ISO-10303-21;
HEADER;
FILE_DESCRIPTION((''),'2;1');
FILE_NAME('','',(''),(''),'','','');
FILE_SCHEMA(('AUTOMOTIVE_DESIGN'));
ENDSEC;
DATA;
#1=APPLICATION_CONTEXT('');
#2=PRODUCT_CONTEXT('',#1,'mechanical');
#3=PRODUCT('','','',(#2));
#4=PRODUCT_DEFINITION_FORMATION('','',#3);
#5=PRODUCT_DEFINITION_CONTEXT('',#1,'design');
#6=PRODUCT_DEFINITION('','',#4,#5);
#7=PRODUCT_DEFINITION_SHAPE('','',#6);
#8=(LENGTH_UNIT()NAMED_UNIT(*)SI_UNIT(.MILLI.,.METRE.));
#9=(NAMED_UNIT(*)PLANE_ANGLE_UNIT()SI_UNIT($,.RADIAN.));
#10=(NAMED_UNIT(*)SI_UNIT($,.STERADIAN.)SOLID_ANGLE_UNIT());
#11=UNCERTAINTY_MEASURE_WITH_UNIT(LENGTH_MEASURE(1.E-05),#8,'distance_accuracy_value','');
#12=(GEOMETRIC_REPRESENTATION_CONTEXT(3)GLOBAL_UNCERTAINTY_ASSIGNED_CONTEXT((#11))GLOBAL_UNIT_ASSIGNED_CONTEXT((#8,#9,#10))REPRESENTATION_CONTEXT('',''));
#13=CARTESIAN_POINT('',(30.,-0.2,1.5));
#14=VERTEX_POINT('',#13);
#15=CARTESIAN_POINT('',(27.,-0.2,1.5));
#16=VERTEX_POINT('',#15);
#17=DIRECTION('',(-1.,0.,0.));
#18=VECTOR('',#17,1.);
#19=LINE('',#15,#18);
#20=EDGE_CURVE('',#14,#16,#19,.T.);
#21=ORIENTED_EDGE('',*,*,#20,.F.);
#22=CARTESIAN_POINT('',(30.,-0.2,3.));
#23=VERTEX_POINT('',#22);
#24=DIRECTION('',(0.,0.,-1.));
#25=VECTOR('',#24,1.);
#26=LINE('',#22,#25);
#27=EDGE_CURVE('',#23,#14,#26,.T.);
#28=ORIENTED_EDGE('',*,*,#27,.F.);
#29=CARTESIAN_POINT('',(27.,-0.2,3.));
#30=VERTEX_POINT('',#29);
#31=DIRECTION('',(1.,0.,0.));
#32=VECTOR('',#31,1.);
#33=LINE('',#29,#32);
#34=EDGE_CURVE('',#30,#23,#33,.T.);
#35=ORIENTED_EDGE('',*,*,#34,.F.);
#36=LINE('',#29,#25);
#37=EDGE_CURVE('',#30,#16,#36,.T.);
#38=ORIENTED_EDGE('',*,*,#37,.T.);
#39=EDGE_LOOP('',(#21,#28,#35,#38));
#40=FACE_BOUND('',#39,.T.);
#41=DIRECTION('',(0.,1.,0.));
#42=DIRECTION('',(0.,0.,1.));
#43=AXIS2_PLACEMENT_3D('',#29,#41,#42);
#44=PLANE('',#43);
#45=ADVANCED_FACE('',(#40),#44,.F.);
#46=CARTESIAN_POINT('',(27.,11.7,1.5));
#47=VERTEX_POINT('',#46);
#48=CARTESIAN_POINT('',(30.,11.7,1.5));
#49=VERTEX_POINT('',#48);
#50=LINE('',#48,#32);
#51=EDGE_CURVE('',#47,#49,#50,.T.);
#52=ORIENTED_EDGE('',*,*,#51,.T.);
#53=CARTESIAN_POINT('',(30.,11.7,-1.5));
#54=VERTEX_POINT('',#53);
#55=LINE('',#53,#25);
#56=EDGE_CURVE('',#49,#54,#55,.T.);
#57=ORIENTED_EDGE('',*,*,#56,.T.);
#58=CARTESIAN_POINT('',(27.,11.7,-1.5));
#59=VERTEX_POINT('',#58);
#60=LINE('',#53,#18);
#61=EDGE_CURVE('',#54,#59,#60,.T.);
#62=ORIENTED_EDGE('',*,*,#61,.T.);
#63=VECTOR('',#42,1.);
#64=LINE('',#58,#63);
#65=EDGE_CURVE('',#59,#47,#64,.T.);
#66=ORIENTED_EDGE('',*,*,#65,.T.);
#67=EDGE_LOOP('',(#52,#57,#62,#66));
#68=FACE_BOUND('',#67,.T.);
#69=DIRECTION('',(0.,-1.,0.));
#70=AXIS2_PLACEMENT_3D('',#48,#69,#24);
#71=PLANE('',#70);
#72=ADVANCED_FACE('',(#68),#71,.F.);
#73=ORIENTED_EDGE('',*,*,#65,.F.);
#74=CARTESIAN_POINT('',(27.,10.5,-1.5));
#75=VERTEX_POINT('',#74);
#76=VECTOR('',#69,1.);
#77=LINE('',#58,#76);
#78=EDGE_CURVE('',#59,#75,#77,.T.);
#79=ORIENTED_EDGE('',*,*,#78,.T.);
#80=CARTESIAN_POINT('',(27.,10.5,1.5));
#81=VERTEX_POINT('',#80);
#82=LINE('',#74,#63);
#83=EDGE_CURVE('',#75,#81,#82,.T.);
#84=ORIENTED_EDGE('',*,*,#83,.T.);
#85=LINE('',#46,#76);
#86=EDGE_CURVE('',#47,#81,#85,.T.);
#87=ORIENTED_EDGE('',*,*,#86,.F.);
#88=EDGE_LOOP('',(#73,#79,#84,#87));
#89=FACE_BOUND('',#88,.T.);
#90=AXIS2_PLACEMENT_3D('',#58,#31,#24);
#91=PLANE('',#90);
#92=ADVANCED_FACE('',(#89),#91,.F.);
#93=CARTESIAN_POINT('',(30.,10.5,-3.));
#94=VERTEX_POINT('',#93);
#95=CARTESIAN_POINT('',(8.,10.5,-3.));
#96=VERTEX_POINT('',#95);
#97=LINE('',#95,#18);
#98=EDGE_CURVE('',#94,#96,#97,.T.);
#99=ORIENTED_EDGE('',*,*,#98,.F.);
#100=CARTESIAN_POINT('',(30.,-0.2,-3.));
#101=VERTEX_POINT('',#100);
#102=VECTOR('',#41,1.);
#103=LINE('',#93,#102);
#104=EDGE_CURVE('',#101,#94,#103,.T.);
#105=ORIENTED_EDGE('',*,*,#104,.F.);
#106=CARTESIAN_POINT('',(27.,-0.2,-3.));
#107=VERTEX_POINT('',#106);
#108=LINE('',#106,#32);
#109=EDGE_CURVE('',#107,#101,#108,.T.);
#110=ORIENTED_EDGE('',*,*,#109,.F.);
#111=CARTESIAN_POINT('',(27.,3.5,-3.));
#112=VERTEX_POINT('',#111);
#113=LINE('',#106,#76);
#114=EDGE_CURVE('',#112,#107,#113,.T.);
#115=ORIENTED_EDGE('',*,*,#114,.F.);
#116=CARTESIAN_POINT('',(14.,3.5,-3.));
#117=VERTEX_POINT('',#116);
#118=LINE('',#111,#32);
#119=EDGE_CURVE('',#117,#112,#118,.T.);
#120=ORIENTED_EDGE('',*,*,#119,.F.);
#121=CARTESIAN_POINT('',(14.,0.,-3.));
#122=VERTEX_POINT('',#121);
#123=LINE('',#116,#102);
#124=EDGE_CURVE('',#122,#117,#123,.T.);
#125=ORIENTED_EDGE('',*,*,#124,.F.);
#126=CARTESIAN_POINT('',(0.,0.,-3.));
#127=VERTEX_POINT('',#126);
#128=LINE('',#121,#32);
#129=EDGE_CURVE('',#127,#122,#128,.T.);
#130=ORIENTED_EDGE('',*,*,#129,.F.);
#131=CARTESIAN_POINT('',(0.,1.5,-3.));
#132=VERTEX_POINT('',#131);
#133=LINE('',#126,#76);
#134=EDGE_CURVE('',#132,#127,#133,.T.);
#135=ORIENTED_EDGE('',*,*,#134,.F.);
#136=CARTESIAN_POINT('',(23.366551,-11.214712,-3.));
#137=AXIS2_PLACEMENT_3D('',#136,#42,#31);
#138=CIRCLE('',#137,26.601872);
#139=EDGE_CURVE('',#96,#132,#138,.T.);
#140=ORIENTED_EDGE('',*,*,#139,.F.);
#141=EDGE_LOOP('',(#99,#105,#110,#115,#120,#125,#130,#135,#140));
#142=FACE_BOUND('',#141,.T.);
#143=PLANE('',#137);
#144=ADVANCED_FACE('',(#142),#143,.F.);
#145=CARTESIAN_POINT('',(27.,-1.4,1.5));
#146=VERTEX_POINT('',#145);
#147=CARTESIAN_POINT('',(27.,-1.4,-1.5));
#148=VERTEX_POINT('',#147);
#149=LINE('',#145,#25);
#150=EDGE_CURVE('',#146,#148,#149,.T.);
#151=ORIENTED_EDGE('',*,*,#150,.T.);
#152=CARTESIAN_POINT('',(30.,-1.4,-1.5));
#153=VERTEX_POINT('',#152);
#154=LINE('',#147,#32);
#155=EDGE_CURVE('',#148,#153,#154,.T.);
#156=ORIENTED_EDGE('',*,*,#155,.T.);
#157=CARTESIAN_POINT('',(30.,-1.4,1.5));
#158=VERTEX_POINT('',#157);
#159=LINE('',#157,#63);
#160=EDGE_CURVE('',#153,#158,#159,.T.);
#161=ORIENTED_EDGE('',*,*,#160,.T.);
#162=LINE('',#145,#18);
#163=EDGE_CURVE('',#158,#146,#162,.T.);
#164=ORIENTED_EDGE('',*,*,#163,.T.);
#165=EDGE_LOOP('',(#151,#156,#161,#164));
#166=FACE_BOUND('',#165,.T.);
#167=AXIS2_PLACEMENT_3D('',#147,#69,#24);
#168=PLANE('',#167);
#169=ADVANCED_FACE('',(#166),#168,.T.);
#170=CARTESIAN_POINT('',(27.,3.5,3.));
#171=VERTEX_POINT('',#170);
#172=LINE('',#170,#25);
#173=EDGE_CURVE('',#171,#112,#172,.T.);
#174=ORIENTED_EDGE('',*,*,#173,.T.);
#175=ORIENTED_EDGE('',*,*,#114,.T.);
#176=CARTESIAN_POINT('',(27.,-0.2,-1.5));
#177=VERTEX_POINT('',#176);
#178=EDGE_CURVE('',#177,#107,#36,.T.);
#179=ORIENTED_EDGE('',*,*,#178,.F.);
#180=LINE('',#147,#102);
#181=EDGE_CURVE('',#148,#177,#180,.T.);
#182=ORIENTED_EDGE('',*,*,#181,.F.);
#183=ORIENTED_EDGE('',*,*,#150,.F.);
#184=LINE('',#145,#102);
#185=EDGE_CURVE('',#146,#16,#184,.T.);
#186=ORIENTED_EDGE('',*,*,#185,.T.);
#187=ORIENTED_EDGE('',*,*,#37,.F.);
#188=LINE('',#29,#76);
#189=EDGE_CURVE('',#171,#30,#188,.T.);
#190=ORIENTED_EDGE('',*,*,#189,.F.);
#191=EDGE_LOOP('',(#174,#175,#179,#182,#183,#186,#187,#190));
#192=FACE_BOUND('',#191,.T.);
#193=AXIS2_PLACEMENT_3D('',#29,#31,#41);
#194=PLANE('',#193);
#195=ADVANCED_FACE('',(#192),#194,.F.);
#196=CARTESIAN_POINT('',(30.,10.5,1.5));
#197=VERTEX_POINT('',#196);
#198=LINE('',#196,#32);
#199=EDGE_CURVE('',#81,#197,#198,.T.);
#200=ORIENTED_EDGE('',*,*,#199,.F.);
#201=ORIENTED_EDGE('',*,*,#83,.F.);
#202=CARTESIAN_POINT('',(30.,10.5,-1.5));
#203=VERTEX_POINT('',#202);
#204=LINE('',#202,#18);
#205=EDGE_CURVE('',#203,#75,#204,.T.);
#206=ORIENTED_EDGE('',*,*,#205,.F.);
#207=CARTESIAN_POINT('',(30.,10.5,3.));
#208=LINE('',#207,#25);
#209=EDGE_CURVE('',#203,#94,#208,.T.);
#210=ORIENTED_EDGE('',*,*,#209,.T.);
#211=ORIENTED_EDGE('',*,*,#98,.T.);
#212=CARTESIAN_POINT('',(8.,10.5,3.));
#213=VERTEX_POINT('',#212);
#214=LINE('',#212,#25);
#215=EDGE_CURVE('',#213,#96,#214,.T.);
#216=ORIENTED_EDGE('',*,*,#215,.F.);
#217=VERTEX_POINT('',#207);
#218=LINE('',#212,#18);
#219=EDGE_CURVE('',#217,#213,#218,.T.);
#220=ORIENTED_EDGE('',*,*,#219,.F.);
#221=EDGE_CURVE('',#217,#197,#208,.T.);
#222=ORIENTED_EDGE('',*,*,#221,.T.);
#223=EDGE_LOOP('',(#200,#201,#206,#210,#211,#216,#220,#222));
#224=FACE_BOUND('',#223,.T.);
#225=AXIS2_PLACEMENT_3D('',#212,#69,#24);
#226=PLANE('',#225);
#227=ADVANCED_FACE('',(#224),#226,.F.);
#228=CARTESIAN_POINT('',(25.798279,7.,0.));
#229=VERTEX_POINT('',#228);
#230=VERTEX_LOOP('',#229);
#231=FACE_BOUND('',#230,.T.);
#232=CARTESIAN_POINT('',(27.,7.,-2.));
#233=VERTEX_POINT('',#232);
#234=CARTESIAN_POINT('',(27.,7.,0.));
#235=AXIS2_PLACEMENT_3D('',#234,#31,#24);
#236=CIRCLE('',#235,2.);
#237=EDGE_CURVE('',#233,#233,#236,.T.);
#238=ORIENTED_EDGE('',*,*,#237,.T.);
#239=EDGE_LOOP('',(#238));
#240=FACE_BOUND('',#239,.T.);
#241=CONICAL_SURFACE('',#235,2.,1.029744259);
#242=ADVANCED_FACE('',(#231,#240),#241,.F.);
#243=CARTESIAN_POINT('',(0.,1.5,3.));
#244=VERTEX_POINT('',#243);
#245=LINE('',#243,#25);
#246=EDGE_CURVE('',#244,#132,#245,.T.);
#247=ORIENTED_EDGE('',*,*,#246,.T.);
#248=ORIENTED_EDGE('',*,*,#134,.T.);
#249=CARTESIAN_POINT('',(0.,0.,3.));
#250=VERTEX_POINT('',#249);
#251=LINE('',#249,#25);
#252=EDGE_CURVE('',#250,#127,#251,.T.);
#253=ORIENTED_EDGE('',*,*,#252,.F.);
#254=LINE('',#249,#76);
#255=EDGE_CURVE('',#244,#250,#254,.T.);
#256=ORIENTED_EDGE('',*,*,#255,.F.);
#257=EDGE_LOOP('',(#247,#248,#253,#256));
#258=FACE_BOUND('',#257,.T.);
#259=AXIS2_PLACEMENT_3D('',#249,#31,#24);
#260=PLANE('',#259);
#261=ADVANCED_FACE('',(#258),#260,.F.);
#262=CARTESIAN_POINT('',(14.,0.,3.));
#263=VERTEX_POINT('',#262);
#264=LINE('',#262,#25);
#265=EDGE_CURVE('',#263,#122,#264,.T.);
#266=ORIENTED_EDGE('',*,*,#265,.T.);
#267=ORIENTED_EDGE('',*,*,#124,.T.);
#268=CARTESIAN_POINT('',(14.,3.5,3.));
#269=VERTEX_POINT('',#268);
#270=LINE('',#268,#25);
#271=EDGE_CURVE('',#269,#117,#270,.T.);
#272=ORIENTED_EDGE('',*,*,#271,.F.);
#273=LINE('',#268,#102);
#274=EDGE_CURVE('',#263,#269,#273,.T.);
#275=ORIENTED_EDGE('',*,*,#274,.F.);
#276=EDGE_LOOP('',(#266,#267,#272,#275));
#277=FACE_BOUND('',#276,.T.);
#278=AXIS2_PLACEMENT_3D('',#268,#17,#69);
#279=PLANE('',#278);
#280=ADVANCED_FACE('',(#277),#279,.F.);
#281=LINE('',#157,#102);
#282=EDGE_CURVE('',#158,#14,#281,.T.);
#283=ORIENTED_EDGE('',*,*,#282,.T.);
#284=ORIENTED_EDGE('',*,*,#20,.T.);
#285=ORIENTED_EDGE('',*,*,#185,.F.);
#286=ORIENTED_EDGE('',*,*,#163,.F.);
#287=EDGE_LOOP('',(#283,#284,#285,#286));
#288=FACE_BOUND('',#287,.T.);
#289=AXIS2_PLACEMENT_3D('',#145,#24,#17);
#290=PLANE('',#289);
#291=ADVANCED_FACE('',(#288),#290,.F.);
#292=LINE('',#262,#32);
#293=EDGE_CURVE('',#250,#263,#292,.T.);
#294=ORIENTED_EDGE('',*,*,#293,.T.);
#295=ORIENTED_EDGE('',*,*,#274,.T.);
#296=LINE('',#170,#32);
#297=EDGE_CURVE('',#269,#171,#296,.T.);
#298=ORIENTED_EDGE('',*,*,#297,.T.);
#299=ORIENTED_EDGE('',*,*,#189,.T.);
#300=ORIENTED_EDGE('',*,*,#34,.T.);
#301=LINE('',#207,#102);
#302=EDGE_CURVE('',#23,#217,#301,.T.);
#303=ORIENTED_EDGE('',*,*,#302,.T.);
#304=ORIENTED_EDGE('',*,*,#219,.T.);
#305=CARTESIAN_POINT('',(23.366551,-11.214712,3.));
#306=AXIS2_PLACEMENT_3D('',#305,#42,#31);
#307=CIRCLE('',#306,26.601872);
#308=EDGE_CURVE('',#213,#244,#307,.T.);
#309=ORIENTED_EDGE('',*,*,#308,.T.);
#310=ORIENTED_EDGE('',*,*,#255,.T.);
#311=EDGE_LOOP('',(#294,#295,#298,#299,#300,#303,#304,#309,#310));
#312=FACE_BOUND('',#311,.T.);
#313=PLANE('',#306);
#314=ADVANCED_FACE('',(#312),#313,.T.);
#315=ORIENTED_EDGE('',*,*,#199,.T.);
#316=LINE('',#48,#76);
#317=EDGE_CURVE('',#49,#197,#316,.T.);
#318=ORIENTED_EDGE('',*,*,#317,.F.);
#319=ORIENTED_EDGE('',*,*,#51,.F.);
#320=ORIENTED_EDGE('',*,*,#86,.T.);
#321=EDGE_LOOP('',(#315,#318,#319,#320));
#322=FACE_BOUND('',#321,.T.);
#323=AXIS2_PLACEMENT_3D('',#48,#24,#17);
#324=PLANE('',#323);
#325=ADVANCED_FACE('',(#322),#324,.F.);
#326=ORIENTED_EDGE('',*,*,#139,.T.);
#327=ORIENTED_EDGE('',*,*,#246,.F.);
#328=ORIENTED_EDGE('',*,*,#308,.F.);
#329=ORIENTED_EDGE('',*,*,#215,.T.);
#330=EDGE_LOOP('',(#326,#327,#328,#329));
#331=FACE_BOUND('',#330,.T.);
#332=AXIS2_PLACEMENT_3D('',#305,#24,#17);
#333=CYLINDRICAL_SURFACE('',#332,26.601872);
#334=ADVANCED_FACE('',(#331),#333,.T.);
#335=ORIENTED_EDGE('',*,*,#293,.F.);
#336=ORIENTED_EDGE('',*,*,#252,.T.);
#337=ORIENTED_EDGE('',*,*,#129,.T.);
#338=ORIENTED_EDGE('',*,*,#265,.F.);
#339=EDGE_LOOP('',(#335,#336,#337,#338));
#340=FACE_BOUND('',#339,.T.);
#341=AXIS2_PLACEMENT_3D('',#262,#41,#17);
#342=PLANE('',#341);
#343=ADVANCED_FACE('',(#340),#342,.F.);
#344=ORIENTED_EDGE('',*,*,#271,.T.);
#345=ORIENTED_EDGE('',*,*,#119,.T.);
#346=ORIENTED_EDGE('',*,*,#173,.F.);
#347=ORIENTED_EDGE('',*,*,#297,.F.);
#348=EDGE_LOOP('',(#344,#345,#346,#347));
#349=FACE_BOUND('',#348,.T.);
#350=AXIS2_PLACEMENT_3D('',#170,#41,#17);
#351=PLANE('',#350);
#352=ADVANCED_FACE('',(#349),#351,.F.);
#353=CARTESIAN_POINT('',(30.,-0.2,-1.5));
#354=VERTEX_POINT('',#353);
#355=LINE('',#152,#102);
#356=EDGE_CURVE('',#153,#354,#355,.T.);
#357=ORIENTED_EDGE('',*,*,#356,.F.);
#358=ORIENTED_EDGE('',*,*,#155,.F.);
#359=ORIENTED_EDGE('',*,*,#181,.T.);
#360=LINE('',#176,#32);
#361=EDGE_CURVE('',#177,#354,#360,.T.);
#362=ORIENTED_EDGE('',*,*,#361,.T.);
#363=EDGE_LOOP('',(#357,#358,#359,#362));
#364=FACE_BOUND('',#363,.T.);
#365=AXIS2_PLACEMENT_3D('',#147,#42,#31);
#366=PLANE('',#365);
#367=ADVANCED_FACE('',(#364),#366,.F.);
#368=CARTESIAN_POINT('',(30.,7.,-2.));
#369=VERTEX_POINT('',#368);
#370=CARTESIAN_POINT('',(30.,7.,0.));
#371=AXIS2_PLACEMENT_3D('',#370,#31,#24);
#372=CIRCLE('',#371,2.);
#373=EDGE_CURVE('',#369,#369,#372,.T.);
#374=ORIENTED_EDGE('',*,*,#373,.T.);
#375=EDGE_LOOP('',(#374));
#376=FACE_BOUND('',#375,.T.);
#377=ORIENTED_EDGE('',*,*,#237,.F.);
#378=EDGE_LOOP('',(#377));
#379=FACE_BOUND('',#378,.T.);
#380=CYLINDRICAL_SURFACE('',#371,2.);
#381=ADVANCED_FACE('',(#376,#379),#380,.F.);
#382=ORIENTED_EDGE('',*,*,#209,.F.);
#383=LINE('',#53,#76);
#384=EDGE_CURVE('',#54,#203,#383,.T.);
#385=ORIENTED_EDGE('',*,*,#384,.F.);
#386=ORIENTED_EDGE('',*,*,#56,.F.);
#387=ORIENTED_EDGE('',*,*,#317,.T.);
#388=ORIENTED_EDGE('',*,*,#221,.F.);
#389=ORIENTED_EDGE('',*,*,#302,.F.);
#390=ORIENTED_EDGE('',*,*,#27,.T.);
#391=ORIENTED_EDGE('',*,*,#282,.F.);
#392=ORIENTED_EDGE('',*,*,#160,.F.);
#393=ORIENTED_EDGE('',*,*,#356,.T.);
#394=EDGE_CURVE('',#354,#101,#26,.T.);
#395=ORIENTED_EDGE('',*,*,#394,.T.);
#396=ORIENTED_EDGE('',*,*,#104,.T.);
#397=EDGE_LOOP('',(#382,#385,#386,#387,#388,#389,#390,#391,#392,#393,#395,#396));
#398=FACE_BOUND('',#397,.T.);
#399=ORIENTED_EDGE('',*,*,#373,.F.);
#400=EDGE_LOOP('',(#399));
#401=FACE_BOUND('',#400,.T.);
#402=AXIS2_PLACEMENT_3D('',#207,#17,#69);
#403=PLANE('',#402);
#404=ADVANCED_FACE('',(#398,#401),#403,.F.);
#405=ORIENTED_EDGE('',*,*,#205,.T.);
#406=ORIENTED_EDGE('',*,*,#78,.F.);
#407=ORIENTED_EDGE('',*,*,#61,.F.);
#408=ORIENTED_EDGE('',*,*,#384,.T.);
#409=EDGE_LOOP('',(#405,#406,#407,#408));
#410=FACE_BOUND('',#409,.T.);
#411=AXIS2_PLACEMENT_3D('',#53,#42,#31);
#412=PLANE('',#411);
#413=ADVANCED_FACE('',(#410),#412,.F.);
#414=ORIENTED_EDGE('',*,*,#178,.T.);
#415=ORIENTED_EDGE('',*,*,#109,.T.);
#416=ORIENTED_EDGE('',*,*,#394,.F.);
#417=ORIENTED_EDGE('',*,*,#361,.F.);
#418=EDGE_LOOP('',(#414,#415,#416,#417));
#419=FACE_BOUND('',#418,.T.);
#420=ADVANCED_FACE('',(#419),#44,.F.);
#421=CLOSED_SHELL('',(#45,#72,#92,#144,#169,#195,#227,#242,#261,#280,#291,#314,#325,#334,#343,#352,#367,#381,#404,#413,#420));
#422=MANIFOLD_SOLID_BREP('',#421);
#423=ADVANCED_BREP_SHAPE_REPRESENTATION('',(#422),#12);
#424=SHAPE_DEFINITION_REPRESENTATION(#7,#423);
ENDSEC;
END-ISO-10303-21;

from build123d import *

# Parameters (mm, degrees)
EXTRUSION1_DEPTH                  = 3
ESQUISSE2_W                       = 3
ESQUISSE2_H                       = 3
EXTRUSION2_DEPTH                  = 1.2
ESQUISSE3_W                       = 3
ESQUISSE3_H                       = 3
EXTRUSION3_DEPTH                  = 1.2
DIAM_TRE_DU_PER_AGE_4_0_4_1_D     = 4
DIAM_TRE_DU_PER_AGE_4_0_4_1_DEPTH = 3
DIAM_TRE_DU_PER_AGE_4_0_4_1_TIP   = 1.201721238


with BuildPart() as part:
    # Esquisse1 → Extrusion1 (new body, symmetric)
    with BuildSketch(Plane.XY):
        with BuildLine():
            Line((0, 0), (0, 1.5))
            ThreePointArc((0, 1.5), (3.484063784, 6.45860997), (8, 10.5))
            Line((8, 10.5), (30, 10.5))
            Line((30, 10.5), (30, -0.2))
            Line((30, -0.2), (27, -0.2))
            Line((27, -0.2), (27, 3.5))
            Line((27, 3.5), (14, 3.5))
            Line((14, 3.5), (14, 0))
            Line((14, 0), (0, 0))
        make_face()
    extrude(amount=EXTRUSION1_DEPTH, both=True)

    # Esquisse2 → Extrusion2 (add)
    with BuildSketch(Plane(origin=(0, 10.5, 0), x_dir=(1, 0, 0), z_dir=(0, 1, 0))):
        with Locations((28.5, 0)):
            Rectangle(ESQUISSE2_W, ESQUISSE2_H)
    extrude(amount=EXTRUSION2_DEPTH)

    # Esquisse3 → Extrusion3 (add)
    with BuildSketch(Plane.XZ.offset(0.2)):
        with Locations((28.5, 0)):
            Rectangle(ESQUISSE3_W, ESQUISSE3_H)
    extrude(amount=EXTRUSION3_DEPTH)

    # Diamètre du perçage Ø4.0 (4)1
    with Locations(Plane(origin=(30, 0, 0), x_dir=(0, 0, -1), z_dir=(1, 0, 0))):
        with Locations((0, 7)):
            Hole(DIAM_TRE_DU_PER_AGE_4_0_4_1_D / 2, depth=DIAM_TRE_DU_PER_AGE_4_0_4_1_DEPTH)
            with Locations((0, 0, -(DIAM_TRE_DU_PER_AGE_4_0_4_1_DEPTH + DIAM_TRE_DU_PER_AGE_4_0_4_1_TIP / 2))):  # 118° drill point
                Cone(0, DIAM_TRE_DU_PER_AGE_4_0_4_1_D / 2, DIAM_TRE_DU_PER_AGE_4_0_4_1_TIP, mode=Mode.SUBTRACT)


solid = part.part
